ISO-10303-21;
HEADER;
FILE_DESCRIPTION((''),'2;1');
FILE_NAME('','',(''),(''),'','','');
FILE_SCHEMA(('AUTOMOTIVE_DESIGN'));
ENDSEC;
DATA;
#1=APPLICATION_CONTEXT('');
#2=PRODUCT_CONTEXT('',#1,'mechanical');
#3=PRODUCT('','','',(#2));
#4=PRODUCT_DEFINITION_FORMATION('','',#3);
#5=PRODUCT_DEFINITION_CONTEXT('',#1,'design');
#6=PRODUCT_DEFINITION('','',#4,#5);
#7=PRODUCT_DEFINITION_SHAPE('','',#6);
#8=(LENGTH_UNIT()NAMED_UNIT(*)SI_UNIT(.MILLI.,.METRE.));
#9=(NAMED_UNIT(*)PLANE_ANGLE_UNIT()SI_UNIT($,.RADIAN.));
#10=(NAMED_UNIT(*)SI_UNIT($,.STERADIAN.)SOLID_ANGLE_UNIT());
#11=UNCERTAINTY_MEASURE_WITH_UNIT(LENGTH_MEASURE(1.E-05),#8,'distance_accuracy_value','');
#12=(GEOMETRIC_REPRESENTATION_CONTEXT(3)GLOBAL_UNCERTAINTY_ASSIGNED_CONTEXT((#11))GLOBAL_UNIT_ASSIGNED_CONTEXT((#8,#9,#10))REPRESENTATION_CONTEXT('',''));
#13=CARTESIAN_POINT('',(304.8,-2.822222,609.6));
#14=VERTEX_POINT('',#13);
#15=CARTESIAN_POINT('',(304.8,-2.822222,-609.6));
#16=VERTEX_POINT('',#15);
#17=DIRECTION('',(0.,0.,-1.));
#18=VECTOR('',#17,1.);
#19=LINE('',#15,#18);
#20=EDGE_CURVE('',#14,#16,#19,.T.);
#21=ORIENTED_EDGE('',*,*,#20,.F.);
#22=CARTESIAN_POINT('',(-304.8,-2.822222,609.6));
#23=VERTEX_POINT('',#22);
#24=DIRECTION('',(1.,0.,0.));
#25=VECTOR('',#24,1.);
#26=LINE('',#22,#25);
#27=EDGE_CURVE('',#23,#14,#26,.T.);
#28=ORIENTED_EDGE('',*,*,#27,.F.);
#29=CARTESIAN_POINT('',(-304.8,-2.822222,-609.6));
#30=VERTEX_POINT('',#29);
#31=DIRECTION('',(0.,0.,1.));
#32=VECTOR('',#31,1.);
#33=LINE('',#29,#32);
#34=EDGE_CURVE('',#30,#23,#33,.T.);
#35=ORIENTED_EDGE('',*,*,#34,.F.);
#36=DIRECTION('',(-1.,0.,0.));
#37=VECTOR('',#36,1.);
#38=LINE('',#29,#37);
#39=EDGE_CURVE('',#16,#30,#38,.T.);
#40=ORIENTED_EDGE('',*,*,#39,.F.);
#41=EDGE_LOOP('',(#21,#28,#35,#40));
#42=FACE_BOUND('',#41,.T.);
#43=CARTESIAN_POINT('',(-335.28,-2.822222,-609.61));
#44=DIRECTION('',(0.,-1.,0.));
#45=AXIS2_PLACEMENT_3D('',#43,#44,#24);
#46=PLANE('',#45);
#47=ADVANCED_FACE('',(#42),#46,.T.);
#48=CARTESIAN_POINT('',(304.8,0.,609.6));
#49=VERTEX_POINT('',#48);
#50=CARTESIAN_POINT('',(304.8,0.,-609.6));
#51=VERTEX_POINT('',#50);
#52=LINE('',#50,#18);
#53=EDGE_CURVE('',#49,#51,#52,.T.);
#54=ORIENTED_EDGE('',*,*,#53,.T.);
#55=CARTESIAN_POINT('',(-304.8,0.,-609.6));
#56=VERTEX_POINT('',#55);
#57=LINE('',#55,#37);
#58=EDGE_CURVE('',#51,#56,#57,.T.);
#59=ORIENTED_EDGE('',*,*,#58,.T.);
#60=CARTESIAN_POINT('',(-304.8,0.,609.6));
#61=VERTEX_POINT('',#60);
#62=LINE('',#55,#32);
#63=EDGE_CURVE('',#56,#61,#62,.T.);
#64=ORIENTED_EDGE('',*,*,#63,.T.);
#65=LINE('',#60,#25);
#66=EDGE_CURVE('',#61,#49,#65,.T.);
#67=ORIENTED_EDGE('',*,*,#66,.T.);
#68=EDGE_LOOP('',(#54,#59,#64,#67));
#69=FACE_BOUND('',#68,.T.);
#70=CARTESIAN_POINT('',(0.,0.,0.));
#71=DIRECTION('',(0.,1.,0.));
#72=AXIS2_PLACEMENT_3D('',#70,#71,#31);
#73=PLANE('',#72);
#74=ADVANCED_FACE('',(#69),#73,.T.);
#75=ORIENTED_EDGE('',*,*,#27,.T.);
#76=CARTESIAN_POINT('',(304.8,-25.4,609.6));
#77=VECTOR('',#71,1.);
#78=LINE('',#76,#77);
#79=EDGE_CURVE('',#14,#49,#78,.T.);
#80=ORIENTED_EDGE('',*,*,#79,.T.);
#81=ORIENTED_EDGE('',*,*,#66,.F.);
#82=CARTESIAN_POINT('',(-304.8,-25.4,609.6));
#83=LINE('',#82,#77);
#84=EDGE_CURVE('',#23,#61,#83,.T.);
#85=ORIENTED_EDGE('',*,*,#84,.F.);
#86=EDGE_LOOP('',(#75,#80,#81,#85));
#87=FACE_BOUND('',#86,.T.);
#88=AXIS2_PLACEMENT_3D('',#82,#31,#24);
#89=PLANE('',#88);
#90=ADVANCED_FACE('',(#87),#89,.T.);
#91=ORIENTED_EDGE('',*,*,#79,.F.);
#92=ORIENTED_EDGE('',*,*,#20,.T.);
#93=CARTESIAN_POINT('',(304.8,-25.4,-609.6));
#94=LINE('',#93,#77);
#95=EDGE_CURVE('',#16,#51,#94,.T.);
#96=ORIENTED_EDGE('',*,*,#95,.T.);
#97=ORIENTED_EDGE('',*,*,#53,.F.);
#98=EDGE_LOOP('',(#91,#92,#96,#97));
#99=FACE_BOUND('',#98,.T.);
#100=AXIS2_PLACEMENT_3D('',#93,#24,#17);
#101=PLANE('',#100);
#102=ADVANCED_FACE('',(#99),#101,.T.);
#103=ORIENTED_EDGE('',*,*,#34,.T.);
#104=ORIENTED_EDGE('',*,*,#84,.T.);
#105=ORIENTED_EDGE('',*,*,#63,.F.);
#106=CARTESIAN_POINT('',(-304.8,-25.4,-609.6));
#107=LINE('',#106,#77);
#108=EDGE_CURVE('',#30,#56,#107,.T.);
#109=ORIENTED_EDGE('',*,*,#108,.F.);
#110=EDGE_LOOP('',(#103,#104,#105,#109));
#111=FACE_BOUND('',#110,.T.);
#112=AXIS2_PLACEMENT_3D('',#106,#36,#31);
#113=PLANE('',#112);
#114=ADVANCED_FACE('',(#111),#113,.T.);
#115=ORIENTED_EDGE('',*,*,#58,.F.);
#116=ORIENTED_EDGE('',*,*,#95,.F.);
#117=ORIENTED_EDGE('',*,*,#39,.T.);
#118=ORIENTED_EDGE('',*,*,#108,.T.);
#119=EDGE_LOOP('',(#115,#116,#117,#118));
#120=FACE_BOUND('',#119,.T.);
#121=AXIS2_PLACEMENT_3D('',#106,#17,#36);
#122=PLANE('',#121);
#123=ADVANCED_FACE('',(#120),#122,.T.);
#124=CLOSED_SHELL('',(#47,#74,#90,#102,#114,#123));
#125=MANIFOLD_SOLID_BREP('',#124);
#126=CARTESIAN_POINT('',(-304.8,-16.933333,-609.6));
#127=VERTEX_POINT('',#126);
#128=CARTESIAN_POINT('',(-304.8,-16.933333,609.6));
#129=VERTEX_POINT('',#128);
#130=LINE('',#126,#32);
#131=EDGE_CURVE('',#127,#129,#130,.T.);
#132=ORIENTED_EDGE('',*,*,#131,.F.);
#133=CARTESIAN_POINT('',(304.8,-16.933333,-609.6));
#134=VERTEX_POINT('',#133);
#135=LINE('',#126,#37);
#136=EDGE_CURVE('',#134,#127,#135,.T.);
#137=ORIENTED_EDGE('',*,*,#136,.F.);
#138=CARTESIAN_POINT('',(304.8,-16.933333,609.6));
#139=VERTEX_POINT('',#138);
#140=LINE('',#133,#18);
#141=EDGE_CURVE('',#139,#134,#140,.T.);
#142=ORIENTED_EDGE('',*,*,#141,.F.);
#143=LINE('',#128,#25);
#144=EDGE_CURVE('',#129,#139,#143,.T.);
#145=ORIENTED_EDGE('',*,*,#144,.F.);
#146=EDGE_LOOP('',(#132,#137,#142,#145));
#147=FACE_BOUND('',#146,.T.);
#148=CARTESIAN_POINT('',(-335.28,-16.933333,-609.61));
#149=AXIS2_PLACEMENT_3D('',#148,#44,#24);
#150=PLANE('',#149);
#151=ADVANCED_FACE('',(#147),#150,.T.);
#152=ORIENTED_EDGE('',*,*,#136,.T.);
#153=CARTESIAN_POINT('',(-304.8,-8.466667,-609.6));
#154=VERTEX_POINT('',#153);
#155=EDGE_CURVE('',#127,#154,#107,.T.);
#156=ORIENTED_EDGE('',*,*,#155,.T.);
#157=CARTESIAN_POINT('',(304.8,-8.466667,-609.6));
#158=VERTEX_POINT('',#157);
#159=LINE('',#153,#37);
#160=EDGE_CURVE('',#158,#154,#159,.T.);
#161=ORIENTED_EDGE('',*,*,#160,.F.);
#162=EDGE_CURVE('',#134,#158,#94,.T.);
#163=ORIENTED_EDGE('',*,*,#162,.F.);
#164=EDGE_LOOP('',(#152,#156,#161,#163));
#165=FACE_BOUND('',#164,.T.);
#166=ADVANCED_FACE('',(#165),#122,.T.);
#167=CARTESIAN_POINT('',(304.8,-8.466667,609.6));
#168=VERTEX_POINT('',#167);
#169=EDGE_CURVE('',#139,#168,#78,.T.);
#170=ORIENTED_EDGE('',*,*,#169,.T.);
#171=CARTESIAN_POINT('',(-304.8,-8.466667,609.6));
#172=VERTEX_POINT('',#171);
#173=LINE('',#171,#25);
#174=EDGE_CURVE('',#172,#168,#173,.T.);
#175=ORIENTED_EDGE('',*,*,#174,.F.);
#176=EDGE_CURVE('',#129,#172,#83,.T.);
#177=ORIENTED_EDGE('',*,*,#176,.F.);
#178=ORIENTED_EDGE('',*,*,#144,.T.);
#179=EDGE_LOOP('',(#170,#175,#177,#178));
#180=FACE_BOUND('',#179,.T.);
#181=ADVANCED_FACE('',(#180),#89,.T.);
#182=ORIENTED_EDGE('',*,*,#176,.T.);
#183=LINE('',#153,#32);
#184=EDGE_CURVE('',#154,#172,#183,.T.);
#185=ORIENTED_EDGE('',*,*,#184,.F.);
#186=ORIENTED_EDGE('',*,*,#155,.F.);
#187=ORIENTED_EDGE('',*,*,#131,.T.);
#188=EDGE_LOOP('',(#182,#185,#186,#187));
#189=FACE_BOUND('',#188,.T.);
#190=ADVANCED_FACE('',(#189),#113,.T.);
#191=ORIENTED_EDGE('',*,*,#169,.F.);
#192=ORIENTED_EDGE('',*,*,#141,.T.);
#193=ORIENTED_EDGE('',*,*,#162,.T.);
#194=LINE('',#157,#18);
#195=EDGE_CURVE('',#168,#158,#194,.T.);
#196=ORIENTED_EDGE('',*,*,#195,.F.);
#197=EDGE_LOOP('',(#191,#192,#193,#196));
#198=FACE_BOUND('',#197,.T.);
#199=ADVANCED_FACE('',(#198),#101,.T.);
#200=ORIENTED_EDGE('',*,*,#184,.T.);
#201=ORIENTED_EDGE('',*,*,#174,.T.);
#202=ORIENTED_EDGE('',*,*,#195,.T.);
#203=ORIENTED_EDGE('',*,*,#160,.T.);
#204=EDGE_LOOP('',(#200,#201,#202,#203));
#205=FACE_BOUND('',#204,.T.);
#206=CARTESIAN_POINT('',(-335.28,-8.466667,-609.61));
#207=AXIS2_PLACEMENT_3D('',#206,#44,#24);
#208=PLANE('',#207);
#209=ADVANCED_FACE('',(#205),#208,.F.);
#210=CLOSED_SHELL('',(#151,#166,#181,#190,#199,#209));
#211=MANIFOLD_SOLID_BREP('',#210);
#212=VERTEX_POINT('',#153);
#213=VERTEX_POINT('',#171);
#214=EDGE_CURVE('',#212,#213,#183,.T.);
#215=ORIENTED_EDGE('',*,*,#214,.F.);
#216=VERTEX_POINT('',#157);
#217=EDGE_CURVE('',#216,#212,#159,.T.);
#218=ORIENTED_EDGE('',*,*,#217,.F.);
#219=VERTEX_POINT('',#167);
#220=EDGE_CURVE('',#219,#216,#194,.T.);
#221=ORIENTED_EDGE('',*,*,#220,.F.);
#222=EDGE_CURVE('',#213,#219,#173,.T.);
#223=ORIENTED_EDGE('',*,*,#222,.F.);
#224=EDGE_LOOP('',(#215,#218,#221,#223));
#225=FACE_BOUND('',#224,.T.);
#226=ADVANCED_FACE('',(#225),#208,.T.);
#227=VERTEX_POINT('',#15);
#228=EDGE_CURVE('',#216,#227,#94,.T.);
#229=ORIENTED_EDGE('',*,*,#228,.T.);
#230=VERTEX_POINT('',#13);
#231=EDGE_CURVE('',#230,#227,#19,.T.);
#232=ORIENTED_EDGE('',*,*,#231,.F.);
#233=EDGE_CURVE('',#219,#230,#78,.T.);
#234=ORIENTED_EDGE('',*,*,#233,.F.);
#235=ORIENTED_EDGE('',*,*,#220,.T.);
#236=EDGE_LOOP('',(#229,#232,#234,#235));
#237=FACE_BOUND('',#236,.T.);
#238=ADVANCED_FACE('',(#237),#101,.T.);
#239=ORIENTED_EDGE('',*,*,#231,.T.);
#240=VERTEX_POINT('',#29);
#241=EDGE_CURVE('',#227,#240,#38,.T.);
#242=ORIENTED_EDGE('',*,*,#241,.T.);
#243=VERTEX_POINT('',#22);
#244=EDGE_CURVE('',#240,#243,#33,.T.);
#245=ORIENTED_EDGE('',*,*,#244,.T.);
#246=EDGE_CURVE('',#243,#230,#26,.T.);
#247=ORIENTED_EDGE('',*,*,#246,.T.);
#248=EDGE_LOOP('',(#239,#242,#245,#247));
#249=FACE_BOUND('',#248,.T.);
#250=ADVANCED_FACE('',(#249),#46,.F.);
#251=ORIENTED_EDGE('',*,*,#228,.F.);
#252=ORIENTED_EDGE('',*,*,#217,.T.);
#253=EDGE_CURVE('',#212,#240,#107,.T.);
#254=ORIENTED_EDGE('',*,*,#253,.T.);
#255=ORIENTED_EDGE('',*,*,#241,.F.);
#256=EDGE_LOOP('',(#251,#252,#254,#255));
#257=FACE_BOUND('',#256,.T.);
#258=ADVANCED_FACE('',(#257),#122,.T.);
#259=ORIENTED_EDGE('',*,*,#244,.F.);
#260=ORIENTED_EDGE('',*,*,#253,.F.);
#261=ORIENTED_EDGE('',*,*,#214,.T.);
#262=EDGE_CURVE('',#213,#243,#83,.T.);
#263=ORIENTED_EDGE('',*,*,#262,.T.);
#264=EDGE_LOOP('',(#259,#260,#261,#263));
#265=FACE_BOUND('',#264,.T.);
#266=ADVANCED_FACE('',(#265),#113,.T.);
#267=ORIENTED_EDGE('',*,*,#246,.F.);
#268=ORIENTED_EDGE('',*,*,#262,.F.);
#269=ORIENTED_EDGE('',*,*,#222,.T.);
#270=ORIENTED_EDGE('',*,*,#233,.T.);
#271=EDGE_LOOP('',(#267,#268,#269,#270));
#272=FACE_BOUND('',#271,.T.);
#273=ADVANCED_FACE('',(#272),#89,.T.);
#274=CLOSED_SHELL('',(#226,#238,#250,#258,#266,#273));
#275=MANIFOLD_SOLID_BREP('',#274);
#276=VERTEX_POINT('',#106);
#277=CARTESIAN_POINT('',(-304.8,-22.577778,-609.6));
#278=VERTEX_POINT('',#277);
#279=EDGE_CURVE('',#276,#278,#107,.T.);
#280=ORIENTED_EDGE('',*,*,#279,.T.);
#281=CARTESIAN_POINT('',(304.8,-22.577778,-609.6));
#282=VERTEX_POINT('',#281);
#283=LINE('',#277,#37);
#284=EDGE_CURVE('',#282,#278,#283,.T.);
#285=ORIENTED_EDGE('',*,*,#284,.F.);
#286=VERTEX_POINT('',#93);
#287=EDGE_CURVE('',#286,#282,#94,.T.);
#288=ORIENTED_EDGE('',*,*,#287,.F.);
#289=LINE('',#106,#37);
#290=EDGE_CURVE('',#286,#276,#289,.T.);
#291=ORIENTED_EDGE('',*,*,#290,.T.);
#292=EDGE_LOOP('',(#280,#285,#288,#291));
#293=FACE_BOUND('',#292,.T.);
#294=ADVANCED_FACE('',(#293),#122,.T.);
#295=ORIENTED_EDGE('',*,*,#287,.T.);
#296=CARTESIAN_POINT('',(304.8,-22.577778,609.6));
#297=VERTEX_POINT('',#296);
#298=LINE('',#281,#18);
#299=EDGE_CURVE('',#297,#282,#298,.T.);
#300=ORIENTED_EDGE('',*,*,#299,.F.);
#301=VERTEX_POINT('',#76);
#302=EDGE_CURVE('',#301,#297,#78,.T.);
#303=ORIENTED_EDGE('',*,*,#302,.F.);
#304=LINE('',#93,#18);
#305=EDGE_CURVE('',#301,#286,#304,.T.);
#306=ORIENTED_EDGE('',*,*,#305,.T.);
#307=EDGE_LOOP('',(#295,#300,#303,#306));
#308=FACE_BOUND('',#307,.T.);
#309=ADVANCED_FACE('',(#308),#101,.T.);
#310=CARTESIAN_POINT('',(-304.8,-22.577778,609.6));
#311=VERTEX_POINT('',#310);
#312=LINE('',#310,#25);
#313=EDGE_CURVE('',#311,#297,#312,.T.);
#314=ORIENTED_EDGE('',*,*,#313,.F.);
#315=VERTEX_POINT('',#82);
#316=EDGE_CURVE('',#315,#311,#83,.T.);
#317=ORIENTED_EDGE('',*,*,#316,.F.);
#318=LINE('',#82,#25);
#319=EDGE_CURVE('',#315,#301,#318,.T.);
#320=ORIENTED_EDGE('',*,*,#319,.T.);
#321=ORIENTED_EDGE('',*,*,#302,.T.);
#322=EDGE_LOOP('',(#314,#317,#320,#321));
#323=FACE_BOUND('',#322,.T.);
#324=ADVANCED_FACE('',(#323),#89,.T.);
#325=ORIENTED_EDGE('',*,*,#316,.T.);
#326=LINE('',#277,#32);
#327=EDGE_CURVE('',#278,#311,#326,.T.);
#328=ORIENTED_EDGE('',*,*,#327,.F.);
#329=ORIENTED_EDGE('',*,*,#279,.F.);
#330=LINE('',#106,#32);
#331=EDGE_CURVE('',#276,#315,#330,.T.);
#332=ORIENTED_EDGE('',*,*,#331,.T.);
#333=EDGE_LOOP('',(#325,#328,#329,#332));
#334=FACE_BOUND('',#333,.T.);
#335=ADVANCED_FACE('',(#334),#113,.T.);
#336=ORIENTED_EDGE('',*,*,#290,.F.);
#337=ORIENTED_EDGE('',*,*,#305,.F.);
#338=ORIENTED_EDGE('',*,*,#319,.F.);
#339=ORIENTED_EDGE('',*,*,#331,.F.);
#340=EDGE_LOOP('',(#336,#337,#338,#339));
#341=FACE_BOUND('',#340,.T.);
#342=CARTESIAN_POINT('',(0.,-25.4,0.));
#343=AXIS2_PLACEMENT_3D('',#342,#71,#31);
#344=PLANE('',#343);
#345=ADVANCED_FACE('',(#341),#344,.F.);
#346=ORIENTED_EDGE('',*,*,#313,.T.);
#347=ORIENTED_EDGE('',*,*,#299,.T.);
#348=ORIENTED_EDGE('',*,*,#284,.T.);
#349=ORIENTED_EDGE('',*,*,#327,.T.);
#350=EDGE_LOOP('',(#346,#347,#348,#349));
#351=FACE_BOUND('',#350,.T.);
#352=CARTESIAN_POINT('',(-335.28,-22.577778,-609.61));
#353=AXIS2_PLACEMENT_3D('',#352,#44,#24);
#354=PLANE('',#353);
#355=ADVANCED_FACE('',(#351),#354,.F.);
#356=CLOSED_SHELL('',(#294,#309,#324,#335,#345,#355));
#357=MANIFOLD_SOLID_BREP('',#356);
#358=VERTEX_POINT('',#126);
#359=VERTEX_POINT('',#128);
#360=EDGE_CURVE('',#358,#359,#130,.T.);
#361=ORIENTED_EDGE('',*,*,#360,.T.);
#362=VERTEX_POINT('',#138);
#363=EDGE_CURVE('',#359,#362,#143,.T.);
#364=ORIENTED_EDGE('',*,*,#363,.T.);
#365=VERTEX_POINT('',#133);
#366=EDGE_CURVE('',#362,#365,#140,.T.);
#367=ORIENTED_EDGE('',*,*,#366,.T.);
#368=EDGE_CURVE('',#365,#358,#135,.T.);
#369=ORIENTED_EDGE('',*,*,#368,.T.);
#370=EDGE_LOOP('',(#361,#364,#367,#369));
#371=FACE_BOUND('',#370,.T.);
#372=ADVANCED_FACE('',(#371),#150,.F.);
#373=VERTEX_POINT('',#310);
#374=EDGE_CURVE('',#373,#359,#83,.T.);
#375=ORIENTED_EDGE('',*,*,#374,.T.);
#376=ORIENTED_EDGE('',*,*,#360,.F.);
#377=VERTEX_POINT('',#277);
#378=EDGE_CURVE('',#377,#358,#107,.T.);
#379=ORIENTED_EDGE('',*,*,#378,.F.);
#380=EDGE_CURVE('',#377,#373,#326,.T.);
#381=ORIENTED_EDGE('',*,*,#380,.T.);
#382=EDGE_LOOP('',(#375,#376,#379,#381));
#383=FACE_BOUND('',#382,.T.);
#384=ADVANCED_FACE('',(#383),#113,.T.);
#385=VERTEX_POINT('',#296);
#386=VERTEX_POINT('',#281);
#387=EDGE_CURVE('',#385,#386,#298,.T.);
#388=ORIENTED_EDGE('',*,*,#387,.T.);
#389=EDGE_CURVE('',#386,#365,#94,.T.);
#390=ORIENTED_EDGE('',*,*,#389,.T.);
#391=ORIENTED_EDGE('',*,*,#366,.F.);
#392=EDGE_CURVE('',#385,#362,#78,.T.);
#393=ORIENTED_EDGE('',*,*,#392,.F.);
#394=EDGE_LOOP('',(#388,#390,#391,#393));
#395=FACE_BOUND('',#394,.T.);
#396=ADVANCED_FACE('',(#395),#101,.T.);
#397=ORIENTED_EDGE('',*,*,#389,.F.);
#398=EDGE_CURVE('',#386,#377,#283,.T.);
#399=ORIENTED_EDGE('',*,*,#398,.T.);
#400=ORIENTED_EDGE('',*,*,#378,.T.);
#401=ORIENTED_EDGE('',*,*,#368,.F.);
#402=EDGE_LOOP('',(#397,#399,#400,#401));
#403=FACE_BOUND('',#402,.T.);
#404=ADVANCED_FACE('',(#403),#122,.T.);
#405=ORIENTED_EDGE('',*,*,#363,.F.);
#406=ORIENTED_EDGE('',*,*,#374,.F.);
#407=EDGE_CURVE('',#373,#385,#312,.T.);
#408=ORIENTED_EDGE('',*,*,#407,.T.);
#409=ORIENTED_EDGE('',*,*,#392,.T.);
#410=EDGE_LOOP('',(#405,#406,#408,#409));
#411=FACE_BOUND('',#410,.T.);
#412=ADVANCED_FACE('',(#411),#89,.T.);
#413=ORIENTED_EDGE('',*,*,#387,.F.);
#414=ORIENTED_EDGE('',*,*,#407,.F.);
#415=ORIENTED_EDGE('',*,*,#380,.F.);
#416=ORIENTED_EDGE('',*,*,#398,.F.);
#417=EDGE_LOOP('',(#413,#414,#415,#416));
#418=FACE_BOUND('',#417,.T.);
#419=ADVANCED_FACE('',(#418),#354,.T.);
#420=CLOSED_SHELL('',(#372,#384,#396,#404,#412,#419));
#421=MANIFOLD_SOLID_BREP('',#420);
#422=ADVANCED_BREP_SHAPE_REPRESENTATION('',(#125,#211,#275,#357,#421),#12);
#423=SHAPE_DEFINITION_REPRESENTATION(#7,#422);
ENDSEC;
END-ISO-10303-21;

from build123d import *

# Parameters (mm, degrees)
SKETCH3_W                = 609.6
SKETCH3_H                = 1219.2
BOSS_EXTRUDE1_DEPTH      = 25.4
SPLIT1_SURFACE_1_1_BACK  = 1364.344
SPLIT1_SURFACE_1_1_DEPTH = 2728.688
SPLIT1_SURFACE_1_2_BACK  = 1364.344
SPLIT1_SURFACE_1_2_DEPTH = 2728.688
SPLIT1_SURFACE_2_3_BACK  = 1364.344
SPLIT1_SURFACE_2_3_DEPTH = 2728.688
SPLIT1_SURFACE_2_4_BACK  = 1364.344
SPLIT1_SURFACE_2_4_DEPTH = 2728.688
SPLIT1_SURFACE_3_5_BACK  = 1364.344
SPLIT1_SURFACE_3_5_DEPTH = 2728.688
SPLIT1_SURFACE_3_6_BACK  = 1364.344
SPLIT1_SURFACE_3_6_DEPTH = 2728.688
SPLIT1_SURFACE_4_7_BACK  = 1364.344
SPLIT1_SURFACE_4_7_DEPTH = 2728.688
SPLIT1_SURFACE_4_8_BACK  = 1364.344
SPLIT1_SURFACE_4_8_DEPTH = 2728.688


with BuildPart() as part:
    # Sketch3 → Boss-Extrude1 (new body)
    with BuildSketch(Plane(origin=(0, 0, 0), x_dir=(1, 0, 0), z_dir=(0, 1, 0))):
        Rectangle(SKETCH3_W, SKETCH3_H)
    extrude(amount=-BOSS_EXTRUDE1_DEPTH)


with BuildPart() as body_2:
    # Split1: the piece behind the surface
    add(part.part)
    # Split1 surface 1: a surface, the sketch's curves swept straight by 2728.688 mm
    with BuildLine(Plane.XY.offset(-SPLIT1_SURFACE_1_1_BACK), mode=Mode.PRIVATE) as split1_surface_1_1_path:
        Line((-335.28, -22.577777778), (335.28, -22.577777778))
    split1_surface_1_1 = Shell.extrude(split1_surface_1_1_path.wire(), (0 * SPLIT1_SURFACE_1_1_DEPTH, 0 * SPLIT1_SURFACE_1_1_DEPTH, 1 * SPLIT1_SURFACE_1_1_DEPTH))
    split(bisect_by=split1_surface_1_1, keep=Keep.BOTTOM)


with BuildPart() as part_1:
    add(part.part)

    # Split1: split by a surface, the side it looks to stays
    # Split1 surface 1: a surface, the sketch's curves swept straight by 2728.688 mm
    with BuildLine(Plane.XY.offset(-SPLIT1_SURFACE_1_2_BACK), mode=Mode.PRIVATE) as split1_surface_1_2_path:
        Line((-335.28, -22.577777778), (335.28, -22.577777778))
    split1_surface_1_2 = Shell.extrude(split1_surface_1_2_path.wire(), (0 * SPLIT1_SURFACE_1_2_DEPTH, 0 * SPLIT1_SURFACE_1_2_DEPTH, 1 * SPLIT1_SURFACE_1_2_DEPTH))
    split(bisect_by=split1_surface_1_2, keep=Keep.TOP)


with BuildPart() as body_3:
    # Split1 2: the piece behind the surface
    add(part_1.part)
    # Split1 surface 2: a surface, the sketch's curves swept straight by 2728.688 mm
    with BuildLine(Plane.XY.offset(-SPLIT1_SURFACE_2_3_BACK), mode=Mode.PRIVATE) as split1_surface_2_3_path:
        Line((-335.28, -16.933333333), (335.28, -16.933333333))
    split1_surface_2_3 = Shell.extrude(split1_surface_2_3_path.wire(), (0 * SPLIT1_SURFACE_2_3_DEPTH, 0 * SPLIT1_SURFACE_2_3_DEPTH, 1 * SPLIT1_SURFACE_2_3_DEPTH))
    split(bisect_by=split1_surface_2_3, keep=Keep.BOTTOM)


with BuildPart() as part_2:
    add(part_1.part)

    # Split1 2: split by a surface, the side it looks to stays
    # Split1 surface 2: a surface, the sketch's curves swept straight by 2728.688 mm
    with BuildLine(Plane.XY.offset(-SPLIT1_SURFACE_2_4_BACK), mode=Mode.PRIVATE) as split1_surface_2_4_path:
        Line((-335.28, -16.933333333), (335.28, -16.933333333))
    split1_surface_2_4 = Shell.extrude(split1_surface_2_4_path.wire(), (0 * SPLIT1_SURFACE_2_4_DEPTH, 0 * SPLIT1_SURFACE_2_4_DEPTH, 1 * SPLIT1_SURFACE_2_4_DEPTH))
    split(bisect_by=split1_surface_2_4, keep=Keep.TOP)


with BuildPart() as body_4_2:
    # Split1 3: the piece behind the surface
    add(part_2.part)
    # Split1 surface 3: a surface, the sketch's curves swept straight by 2728.688 mm
    with BuildLine(Plane.XY.offset(-SPLIT1_SURFACE_3_5_BACK), mode=Mode.PRIVATE) as split1_surface_3_5_path:
        Line((-335.28, -2.822222222), (335.28, -2.822222222))
    split1_surface_3_5 = Shell.extrude(split1_surface_3_5_path.wire(), (0 * SPLIT1_SURFACE_3_5_DEPTH, 0 * SPLIT1_SURFACE_3_5_DEPTH, 1 * SPLIT1_SURFACE_3_5_DEPTH))
    split(bisect_by=split1_surface_3_5, keep=Keep.BOTTOM)


with BuildPart() as part_3:
    add(part_2.part)

    # Split1 3: split by a surface, the side it looks to stays
    # Split1 surface 3: a surface, the sketch's curves swept straight by 2728.688 mm
    with BuildLine(Plane.XY.offset(-SPLIT1_SURFACE_3_6_BACK), mode=Mode.PRIVATE) as split1_surface_3_6_path:
        Line((-335.28, -2.822222222), (335.28, -2.822222222))
    split1_surface_3_6 = Shell.extrude(split1_surface_3_6_path.wire(), (0 * SPLIT1_SURFACE_3_6_DEPTH, 0 * SPLIT1_SURFACE_3_6_DEPTH, 1 * SPLIT1_SURFACE_3_6_DEPTH))
    split(bisect_by=split1_surface_3_6, keep=Keep.TOP)


with BuildPart() as body_5_2:
    # Split1 4 body 4 2: the piece behind the surface
    add(body_4_2.part)
    # Split1 surface 4: a surface, the sketch's curves swept straight by 2728.688 mm
    with BuildLine(Plane.XY.offset(-SPLIT1_SURFACE_4_7_BACK), mode=Mode.PRIVATE) as split1_surface_4_7_path:
        Line((-335.28, -8.466666667), (335.28, -8.466666667))
    split1_surface_4_7 = Shell.extrude(split1_surface_4_7_path.wire(), (0 * SPLIT1_SURFACE_4_7_DEPTH, 0 * SPLIT1_SURFACE_4_7_DEPTH, 1 * SPLIT1_SURFACE_4_7_DEPTH))
    split(bisect_by=split1_surface_4_7, keep=Keep.BOTTOM)


with BuildPart() as body_4_2_1:
    add(body_4_2.part)

    # Split1 4 body 4 2: split by a surface, the side it looks to stays
    # Split1 surface 4: a surface, the sketch's curves swept straight by 2728.688 mm
    with BuildLine(Plane.XY.offset(-SPLIT1_SURFACE_4_8_BACK), mode=Mode.PRIVATE) as split1_surface_4_8_path:
        Line((-335.28, -8.466666667), (335.28, -8.466666667))
    split1_surface_4_8 = Shell.extrude(split1_surface_4_8_path.wire(), (0 * SPLIT1_SURFACE_4_8_DEPTH, 0 * SPLIT1_SURFACE_4_8_DEPTH, 1 * SPLIT1_SURFACE_4_8_DEPTH))
    split(bisect_by=split1_surface_4_8, keep=Keep.TOP)


solid = Compound([body_2.part, body_3.part, part_3.part, body_5_2.part, body_4_2_1.part])
